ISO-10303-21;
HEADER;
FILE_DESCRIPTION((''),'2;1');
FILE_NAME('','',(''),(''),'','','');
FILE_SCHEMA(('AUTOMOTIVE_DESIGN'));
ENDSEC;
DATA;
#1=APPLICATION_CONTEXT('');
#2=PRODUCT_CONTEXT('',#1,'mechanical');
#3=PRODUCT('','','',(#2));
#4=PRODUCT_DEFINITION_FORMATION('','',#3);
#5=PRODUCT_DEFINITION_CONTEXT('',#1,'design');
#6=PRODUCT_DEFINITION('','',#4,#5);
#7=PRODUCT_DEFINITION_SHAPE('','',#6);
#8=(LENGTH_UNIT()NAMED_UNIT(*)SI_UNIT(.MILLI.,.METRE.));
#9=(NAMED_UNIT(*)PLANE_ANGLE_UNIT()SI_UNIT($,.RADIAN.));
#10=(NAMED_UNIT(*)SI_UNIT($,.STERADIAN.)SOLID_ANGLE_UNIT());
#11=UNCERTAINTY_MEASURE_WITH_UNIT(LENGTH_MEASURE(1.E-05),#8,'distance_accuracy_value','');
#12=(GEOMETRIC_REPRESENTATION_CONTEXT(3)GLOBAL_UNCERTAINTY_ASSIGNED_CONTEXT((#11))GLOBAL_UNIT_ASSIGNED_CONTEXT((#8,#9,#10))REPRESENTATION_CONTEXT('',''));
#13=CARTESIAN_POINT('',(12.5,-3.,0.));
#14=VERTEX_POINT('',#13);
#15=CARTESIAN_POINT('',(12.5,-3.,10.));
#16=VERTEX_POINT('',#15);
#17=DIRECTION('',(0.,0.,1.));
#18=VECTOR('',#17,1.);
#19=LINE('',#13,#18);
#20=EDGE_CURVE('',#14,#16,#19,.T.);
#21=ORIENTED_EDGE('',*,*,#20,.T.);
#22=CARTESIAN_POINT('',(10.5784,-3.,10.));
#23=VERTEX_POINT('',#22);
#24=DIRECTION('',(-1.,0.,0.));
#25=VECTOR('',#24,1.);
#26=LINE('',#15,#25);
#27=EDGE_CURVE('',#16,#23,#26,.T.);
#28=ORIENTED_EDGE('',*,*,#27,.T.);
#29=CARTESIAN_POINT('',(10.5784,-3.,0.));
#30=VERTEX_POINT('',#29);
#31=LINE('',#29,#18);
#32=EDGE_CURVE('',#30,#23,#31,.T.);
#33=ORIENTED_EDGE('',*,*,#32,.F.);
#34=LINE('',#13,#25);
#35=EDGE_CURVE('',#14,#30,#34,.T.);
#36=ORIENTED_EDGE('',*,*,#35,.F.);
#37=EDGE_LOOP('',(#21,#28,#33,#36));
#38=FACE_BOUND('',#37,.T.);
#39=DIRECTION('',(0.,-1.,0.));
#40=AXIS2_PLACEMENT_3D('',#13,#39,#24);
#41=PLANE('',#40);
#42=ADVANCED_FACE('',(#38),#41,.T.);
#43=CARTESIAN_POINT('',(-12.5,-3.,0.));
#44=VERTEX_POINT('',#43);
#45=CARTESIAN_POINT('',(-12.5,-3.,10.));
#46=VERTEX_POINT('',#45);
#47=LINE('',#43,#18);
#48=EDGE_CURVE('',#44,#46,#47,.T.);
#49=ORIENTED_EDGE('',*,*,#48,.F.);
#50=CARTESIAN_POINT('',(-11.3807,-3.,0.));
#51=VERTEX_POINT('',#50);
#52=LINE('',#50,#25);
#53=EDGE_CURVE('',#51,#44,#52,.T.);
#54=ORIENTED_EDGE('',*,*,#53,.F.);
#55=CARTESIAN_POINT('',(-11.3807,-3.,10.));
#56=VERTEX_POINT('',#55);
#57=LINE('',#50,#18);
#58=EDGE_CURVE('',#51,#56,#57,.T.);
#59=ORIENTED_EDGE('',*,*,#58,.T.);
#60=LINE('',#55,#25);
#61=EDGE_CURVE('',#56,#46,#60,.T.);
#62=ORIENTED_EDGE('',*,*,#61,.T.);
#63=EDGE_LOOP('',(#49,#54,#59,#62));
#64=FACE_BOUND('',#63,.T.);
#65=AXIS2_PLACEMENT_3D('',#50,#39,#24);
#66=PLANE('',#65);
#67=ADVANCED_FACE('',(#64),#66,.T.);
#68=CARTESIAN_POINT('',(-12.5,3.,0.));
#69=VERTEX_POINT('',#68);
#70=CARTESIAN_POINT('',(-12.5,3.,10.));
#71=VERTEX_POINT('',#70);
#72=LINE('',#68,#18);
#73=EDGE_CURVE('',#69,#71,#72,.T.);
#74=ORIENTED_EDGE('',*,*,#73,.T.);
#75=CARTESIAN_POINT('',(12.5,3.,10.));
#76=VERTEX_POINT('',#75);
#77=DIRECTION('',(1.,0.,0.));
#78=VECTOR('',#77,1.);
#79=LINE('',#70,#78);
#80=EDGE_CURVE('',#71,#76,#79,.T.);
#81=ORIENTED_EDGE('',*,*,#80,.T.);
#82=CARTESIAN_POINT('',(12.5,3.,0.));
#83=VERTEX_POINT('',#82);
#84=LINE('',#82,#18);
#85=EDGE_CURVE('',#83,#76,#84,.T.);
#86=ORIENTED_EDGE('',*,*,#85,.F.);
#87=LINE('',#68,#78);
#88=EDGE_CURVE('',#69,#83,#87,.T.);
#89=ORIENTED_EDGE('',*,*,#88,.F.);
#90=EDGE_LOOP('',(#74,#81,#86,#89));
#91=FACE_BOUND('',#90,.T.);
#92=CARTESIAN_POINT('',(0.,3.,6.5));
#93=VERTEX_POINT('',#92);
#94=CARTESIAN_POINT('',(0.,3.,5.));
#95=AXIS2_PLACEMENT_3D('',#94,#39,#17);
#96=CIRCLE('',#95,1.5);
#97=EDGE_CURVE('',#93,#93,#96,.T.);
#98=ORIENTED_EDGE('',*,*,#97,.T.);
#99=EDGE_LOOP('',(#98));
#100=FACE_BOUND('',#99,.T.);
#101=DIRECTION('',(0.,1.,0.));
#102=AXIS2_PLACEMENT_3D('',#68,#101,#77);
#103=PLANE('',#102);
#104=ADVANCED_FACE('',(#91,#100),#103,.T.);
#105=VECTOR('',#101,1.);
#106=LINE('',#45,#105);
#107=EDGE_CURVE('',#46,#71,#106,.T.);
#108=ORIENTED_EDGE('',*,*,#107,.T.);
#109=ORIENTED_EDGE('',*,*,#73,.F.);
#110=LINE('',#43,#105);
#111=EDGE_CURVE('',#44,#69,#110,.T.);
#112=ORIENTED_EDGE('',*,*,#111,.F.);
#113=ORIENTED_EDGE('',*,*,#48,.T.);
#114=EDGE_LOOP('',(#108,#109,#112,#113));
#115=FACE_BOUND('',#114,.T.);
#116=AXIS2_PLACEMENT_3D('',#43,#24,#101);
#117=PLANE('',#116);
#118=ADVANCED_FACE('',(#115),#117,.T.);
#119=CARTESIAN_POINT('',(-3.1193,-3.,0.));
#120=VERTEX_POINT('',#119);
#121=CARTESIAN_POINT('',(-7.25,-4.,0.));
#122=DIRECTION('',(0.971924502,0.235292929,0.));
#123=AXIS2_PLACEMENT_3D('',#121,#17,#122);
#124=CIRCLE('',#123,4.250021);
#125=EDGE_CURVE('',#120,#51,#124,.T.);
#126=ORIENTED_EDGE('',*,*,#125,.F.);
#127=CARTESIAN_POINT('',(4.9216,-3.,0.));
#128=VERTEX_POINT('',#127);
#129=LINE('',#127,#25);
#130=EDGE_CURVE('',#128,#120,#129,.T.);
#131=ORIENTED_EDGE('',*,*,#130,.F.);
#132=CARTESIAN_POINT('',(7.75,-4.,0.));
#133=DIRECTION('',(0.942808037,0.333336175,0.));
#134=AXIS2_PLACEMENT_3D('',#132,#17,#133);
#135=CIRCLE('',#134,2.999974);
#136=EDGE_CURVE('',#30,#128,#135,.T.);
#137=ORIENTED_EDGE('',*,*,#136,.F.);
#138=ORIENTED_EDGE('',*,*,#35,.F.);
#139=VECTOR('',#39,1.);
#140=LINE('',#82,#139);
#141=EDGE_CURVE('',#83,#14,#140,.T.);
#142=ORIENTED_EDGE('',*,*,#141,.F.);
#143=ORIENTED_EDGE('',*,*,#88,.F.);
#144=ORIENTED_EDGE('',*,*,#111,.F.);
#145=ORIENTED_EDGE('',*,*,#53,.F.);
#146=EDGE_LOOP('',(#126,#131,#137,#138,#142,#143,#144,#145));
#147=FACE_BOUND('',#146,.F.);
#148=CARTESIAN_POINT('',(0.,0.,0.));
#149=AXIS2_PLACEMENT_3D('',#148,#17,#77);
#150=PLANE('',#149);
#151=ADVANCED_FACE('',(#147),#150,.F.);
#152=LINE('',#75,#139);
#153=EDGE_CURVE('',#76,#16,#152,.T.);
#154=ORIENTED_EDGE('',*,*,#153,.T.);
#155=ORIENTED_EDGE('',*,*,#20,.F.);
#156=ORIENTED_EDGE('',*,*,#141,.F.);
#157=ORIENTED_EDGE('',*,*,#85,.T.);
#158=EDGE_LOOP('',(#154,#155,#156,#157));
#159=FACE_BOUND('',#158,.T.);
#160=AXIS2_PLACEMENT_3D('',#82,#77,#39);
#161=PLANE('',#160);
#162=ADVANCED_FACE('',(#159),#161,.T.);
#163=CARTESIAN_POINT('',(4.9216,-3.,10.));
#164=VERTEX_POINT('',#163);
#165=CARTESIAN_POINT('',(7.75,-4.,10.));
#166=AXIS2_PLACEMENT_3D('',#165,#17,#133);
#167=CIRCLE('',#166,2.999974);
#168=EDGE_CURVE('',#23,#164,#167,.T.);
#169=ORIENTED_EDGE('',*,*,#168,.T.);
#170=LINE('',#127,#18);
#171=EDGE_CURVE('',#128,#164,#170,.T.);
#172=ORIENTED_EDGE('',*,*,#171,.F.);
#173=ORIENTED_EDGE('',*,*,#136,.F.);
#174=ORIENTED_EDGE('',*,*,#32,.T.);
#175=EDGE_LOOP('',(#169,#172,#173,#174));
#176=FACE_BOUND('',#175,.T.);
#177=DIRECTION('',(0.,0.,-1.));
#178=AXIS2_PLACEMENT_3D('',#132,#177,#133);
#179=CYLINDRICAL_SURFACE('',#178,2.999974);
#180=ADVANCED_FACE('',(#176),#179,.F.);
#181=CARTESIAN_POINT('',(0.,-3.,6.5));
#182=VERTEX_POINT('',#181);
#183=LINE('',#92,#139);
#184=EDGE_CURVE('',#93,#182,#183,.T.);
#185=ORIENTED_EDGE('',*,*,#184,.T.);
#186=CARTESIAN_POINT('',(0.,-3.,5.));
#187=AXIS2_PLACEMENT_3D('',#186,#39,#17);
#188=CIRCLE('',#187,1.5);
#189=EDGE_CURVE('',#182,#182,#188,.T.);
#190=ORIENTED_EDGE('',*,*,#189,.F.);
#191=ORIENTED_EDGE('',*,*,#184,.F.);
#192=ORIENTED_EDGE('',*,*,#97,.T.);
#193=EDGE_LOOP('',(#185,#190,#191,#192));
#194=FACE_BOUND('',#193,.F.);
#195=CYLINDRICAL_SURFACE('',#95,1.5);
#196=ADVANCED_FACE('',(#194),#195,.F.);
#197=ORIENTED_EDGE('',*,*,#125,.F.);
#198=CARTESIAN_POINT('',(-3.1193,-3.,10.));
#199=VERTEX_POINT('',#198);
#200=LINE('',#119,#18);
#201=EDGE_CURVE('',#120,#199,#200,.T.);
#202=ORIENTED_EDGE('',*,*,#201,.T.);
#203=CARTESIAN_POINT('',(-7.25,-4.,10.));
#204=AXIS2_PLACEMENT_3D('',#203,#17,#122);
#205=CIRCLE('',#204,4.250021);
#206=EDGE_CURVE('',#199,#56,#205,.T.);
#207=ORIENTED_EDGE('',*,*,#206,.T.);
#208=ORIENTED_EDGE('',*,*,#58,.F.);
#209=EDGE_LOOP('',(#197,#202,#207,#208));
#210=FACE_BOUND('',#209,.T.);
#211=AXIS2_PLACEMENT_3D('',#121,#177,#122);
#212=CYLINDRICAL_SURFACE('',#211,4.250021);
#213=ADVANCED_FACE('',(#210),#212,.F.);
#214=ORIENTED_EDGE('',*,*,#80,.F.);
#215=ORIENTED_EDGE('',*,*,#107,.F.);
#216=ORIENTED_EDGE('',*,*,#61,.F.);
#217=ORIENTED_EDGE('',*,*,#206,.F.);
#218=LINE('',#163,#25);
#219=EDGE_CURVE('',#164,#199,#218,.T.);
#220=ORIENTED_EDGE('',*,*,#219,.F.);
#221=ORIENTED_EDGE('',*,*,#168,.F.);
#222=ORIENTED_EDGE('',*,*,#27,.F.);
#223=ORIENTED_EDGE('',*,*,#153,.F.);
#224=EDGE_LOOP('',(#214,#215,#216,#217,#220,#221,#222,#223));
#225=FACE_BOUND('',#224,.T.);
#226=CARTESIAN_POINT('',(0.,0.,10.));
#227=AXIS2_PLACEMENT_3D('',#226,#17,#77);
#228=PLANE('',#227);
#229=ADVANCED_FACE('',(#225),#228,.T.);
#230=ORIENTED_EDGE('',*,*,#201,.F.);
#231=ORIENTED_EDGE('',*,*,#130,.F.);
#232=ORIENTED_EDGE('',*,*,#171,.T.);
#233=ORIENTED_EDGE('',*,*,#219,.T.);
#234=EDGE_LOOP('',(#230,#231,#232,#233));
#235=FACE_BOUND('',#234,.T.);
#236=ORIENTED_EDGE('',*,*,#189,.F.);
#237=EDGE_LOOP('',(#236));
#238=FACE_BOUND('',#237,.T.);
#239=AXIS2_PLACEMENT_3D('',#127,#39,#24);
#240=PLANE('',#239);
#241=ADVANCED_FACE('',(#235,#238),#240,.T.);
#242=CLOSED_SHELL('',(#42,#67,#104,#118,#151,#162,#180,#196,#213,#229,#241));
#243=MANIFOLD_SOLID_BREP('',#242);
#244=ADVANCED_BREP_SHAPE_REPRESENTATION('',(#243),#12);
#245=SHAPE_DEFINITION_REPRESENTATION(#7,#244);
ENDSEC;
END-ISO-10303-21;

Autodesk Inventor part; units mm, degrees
ref_plane "YZ Plane" through (0, 0, 0) normal (1, 0, 0) x (0, 1, 0)
ref_plane "XZ Plane" through (0, 0, 0) normal (0, 1, 0) x (-1, 0, 0)
ref_plane "XY Plane" through (0, 0, 0) normal (0, 0, 1) x (1, 0, 0)
sketch "Эскиз1" plane through (0, 0, 0) normal (0, 0, 1) x (1, 0, 0)
  line L0 (-12.5, 3) -> (12.5, 3)
  line L1 (12.5, 3) -> (12.5, -3)
  line L2 (-12.5, -3) -> (-12.5, 3)
  arc A0 (10.5784, -3) -> (4.9216, -3) centre (7.75, -4) ccw
  arc A1 (-3.1193, -3) -> (-11.3807, -3) centre (-7.25, -4) ccw
  line L3 (12.5, -3) -> (10.5784, -3)
  line L4 (4.9216, -3) -> (-3.1193, -3)
  line L5 (-11.3807, -3) -> (-12.5, -3)
  point P0 (0, 0)
  point P1 (-12.5, 0)
  point P2 (0, 3)
  dimension "d0" = 25
  dimension "d1" = 6
  dimension "d2" = 6
  dimension "d3" = 8.5
  dimension "d7" = 5.25
  dimension "d8" = 15
extrude "Выдавливание1" add sketch "Эскиз1" along normal blind 10
sketch "Эскиз2" plane through (-12.5, 3, 0) normal (0, 1, 0) x (1, 0, 0)
  point P0 (12.5, 0)
  point P1 (12.5, -5)
hole "Отверстие1" at (0, 3, 5) direction (0, -1, 0) diameter 3 end through all
properties part number "Крепление кабеля"
